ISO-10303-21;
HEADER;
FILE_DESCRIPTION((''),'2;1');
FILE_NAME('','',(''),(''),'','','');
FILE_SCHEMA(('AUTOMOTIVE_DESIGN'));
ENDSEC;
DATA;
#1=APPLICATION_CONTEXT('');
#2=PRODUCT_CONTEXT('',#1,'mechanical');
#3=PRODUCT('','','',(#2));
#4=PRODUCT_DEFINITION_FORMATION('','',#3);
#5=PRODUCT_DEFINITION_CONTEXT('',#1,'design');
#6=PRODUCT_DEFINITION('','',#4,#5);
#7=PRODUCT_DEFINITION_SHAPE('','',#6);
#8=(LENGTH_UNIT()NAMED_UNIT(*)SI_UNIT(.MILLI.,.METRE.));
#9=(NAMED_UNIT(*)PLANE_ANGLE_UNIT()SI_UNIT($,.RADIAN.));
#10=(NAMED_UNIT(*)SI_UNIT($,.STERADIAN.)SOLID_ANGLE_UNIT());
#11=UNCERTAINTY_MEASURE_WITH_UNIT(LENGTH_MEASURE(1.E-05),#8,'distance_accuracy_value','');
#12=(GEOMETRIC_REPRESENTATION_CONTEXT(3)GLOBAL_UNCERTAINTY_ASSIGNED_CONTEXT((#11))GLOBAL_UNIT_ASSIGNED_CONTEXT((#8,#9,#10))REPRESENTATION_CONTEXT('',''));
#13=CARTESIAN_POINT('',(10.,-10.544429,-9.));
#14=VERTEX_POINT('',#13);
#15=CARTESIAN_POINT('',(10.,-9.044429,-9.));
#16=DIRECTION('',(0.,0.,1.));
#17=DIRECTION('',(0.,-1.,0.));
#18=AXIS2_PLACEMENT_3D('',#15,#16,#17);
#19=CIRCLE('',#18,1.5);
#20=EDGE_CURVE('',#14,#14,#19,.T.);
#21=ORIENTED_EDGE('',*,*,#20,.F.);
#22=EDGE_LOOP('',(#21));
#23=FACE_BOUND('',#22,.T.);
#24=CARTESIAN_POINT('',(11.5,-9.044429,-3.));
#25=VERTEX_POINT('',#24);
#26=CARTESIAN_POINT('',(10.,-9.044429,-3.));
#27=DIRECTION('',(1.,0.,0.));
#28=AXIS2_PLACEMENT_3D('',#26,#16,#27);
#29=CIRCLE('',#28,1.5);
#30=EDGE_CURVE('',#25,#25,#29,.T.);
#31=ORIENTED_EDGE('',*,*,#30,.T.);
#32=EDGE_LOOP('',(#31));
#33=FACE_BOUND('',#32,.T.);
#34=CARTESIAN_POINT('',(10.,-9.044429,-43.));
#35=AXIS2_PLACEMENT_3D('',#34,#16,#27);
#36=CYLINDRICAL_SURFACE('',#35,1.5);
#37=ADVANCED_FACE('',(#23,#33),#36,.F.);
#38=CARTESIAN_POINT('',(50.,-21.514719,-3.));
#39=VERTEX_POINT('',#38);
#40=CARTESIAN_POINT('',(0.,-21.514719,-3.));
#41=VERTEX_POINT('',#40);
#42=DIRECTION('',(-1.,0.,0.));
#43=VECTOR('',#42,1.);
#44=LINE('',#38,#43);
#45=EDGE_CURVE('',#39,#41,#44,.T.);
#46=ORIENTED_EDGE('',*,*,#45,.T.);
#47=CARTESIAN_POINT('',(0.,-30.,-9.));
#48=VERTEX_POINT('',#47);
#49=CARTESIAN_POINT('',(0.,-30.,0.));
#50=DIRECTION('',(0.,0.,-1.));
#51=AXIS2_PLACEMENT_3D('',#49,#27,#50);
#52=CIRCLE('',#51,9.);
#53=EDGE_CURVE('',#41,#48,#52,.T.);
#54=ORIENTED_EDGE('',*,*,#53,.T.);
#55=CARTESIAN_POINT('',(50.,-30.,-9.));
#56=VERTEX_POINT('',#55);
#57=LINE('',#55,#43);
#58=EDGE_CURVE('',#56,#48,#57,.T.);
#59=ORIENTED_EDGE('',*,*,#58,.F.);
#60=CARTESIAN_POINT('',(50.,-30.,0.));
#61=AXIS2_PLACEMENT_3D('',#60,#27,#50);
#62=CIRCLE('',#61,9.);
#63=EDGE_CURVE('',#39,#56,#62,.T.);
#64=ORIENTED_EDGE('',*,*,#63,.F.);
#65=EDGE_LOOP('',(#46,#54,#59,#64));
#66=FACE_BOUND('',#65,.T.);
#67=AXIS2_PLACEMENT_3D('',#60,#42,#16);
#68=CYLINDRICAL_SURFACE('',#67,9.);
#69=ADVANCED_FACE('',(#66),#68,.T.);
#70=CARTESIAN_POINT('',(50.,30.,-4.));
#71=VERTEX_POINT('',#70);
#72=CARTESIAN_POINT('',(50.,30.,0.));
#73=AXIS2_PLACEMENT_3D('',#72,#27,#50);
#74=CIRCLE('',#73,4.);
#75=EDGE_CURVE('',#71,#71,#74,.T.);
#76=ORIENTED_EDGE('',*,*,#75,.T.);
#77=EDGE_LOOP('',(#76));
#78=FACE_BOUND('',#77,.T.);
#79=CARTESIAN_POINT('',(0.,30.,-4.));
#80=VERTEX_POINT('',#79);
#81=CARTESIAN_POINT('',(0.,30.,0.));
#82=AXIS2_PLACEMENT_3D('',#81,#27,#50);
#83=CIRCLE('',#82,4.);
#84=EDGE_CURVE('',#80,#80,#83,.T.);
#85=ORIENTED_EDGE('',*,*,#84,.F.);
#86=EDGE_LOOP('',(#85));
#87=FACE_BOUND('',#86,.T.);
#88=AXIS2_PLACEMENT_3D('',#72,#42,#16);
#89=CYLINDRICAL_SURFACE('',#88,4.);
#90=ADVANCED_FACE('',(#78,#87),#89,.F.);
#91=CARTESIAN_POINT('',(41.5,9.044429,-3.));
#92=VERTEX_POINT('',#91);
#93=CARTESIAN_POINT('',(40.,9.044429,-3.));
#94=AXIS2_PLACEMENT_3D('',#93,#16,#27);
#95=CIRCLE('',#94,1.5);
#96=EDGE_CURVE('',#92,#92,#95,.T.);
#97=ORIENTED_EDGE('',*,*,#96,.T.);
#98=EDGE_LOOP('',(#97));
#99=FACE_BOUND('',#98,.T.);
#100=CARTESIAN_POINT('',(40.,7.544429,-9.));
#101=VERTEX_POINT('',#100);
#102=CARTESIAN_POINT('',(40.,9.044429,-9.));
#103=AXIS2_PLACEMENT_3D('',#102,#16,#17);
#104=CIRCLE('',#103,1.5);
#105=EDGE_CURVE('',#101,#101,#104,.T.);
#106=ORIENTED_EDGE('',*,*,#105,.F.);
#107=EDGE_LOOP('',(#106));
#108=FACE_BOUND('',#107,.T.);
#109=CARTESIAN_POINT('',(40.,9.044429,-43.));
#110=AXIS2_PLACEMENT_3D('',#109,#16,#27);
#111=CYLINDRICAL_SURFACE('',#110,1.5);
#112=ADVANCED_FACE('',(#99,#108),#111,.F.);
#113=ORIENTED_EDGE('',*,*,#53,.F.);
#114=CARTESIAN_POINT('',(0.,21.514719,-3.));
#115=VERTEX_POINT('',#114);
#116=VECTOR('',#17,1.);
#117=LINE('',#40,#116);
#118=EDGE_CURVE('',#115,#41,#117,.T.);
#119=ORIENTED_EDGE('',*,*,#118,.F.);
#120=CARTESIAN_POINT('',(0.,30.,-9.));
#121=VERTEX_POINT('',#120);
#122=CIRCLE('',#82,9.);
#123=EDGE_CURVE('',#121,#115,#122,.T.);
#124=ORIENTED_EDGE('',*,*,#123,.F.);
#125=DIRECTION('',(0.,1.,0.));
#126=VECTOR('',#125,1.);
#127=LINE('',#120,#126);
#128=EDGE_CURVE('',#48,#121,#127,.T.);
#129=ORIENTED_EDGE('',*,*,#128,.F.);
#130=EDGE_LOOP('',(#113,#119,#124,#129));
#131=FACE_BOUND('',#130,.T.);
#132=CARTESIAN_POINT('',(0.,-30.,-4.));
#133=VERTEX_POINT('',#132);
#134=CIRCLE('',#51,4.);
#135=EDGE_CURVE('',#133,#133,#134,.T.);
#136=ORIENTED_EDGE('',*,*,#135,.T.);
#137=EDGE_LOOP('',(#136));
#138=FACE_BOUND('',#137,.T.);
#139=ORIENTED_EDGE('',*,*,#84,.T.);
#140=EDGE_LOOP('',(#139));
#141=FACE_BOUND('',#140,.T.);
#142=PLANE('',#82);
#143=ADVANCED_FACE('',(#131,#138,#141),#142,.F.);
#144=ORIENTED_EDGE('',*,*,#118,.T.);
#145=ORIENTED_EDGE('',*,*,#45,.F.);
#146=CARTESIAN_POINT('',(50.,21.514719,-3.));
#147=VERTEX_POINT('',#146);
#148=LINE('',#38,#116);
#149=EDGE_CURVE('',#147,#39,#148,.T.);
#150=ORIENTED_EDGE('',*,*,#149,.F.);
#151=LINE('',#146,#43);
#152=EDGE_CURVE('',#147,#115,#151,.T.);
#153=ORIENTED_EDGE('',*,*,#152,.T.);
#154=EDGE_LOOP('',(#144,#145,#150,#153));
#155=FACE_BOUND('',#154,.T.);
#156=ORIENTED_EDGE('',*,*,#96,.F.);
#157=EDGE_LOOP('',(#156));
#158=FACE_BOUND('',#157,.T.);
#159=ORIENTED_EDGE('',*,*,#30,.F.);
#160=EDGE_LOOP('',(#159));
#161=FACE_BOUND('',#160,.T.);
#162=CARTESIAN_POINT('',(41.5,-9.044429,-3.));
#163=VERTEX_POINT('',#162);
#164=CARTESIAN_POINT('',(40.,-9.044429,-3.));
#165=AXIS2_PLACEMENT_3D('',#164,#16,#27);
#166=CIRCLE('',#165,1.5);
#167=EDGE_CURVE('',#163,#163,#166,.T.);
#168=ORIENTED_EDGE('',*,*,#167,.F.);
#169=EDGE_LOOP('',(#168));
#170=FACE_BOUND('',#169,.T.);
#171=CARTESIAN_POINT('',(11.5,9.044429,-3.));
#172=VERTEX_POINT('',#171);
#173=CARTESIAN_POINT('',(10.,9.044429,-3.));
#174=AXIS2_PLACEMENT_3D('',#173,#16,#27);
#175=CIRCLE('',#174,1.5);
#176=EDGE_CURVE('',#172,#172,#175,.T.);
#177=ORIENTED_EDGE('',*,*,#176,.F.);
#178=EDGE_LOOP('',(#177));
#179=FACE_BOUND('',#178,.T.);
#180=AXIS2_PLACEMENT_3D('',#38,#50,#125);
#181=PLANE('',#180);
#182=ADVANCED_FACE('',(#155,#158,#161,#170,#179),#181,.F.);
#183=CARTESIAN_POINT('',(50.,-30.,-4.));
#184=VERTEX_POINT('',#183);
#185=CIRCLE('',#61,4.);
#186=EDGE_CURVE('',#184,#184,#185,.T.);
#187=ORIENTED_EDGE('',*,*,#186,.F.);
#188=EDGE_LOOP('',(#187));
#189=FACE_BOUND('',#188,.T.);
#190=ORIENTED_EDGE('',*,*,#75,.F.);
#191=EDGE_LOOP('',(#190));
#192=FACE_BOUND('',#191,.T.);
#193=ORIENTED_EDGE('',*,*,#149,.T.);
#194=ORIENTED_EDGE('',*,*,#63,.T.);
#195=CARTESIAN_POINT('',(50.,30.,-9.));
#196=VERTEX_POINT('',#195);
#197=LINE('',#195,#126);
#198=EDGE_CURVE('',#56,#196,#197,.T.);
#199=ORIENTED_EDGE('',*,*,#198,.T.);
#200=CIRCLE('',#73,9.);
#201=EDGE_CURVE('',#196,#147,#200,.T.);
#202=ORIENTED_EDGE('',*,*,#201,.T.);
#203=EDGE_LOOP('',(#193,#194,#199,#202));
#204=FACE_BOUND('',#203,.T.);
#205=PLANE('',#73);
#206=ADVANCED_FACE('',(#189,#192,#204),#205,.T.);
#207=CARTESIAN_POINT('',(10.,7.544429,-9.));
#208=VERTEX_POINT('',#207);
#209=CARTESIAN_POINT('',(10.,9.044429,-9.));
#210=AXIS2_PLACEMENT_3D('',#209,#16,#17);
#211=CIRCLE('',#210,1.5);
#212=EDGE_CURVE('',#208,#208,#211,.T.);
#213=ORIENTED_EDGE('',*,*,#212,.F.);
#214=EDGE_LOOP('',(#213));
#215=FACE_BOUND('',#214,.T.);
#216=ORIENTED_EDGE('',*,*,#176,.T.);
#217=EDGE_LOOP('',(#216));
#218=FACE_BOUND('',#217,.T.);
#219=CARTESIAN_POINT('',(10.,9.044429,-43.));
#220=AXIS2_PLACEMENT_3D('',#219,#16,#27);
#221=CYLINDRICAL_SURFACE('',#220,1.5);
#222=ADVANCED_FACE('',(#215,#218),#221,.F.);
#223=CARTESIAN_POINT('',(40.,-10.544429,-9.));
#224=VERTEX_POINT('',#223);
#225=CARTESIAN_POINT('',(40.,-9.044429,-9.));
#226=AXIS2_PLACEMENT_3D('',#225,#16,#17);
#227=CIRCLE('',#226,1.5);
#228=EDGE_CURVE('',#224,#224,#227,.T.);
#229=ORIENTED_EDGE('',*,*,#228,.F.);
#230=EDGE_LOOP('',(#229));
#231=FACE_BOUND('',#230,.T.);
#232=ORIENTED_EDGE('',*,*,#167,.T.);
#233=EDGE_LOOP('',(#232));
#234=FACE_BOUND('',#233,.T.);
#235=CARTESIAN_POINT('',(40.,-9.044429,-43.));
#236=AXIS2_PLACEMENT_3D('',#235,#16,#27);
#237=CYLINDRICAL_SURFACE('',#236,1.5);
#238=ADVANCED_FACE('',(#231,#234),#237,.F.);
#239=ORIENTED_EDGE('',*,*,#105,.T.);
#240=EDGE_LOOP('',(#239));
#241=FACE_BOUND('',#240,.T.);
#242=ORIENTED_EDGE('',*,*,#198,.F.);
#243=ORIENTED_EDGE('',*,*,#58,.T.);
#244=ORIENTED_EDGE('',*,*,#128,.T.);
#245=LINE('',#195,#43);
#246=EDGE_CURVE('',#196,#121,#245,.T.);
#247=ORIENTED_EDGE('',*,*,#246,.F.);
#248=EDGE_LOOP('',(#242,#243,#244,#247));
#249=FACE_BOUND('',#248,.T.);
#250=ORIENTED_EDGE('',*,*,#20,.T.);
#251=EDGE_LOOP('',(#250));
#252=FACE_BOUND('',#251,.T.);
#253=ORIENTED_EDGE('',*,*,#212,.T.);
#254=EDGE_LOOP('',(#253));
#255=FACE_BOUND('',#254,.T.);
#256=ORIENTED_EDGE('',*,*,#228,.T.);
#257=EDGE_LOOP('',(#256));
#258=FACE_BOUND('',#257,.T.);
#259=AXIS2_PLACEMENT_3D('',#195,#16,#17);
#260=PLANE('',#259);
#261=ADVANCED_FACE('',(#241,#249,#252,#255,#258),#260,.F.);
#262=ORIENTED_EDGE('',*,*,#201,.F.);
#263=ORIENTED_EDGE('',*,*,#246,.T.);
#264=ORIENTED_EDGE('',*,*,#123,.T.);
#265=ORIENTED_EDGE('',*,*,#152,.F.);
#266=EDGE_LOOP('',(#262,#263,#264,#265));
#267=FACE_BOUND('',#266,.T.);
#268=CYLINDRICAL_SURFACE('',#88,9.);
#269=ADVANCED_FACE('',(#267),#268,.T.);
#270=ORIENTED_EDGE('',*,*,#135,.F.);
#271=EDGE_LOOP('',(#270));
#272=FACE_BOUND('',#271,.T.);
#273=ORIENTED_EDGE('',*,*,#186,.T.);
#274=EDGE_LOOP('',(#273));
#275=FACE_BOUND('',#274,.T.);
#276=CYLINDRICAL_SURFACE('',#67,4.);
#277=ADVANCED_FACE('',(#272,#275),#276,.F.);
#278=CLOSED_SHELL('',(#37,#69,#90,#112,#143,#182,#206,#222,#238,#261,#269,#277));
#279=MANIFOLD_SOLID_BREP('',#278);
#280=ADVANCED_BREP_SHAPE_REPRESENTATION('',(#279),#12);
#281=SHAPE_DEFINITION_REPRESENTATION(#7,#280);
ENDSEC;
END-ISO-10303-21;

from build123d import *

# Parameters (mm, degrees)
ESBO_O2_R                = 4
RESSALTO_EXTRUS_O1_DEPTH = 50
ESBO_O5_R                = 1.5
CORTE_EXTRUS_O2_DEPTH    = 40


with BuildPart() as part:
    # Esboço2 → Ressalto-extrusão1 (new body)
    with BuildSketch(Plane(origin=(0, 0, 0), x_dir=(0, 0, -1), z_dir=(1, 0, 0))):
        with BuildLine():
            Line((9, 30), (9, -30))
            ThreePointArc((9, -30), (-7.348469228, -35.196152423), (3, -21.514718626))
            Line((3, -21.514718626), (3, 21.514718626))
            ThreePointArc((3, 21.514718626), (-7.348469228, 35.196152423), (9, 30))
        make_face()
        with Locations((0, 30)):
            Circle(ESBO_O2_R, mode=Mode.SUBTRACT)
        with Locations((0, -30)):
            Circle(ESBO_O2_R, mode=Mode.SUBTRACT)
    extrude(amount=RESSALTO_EXTRUS_O1_DEPTH)

    # Esboço5 → Corte-extrusão2 (cut)
    with BuildSketch(Plane.XY.offset(-3)):
        with Locations((10, 9.044428523)):
            Circle(ESBO_O5_R)
        with Locations((40, 9.044428523)):
            Circle(ESBO_O5_R)
        with Locations((40, -9.044428523)):
            Circle(ESBO_O5_R)
        with Locations((10, -9.044428523)):
            Circle(ESBO_O5_R)
    extrude(amount=-CORTE_EXTRUS_O2_DEPTH, mode=Mode.SUBTRACT)


solid = part.part
